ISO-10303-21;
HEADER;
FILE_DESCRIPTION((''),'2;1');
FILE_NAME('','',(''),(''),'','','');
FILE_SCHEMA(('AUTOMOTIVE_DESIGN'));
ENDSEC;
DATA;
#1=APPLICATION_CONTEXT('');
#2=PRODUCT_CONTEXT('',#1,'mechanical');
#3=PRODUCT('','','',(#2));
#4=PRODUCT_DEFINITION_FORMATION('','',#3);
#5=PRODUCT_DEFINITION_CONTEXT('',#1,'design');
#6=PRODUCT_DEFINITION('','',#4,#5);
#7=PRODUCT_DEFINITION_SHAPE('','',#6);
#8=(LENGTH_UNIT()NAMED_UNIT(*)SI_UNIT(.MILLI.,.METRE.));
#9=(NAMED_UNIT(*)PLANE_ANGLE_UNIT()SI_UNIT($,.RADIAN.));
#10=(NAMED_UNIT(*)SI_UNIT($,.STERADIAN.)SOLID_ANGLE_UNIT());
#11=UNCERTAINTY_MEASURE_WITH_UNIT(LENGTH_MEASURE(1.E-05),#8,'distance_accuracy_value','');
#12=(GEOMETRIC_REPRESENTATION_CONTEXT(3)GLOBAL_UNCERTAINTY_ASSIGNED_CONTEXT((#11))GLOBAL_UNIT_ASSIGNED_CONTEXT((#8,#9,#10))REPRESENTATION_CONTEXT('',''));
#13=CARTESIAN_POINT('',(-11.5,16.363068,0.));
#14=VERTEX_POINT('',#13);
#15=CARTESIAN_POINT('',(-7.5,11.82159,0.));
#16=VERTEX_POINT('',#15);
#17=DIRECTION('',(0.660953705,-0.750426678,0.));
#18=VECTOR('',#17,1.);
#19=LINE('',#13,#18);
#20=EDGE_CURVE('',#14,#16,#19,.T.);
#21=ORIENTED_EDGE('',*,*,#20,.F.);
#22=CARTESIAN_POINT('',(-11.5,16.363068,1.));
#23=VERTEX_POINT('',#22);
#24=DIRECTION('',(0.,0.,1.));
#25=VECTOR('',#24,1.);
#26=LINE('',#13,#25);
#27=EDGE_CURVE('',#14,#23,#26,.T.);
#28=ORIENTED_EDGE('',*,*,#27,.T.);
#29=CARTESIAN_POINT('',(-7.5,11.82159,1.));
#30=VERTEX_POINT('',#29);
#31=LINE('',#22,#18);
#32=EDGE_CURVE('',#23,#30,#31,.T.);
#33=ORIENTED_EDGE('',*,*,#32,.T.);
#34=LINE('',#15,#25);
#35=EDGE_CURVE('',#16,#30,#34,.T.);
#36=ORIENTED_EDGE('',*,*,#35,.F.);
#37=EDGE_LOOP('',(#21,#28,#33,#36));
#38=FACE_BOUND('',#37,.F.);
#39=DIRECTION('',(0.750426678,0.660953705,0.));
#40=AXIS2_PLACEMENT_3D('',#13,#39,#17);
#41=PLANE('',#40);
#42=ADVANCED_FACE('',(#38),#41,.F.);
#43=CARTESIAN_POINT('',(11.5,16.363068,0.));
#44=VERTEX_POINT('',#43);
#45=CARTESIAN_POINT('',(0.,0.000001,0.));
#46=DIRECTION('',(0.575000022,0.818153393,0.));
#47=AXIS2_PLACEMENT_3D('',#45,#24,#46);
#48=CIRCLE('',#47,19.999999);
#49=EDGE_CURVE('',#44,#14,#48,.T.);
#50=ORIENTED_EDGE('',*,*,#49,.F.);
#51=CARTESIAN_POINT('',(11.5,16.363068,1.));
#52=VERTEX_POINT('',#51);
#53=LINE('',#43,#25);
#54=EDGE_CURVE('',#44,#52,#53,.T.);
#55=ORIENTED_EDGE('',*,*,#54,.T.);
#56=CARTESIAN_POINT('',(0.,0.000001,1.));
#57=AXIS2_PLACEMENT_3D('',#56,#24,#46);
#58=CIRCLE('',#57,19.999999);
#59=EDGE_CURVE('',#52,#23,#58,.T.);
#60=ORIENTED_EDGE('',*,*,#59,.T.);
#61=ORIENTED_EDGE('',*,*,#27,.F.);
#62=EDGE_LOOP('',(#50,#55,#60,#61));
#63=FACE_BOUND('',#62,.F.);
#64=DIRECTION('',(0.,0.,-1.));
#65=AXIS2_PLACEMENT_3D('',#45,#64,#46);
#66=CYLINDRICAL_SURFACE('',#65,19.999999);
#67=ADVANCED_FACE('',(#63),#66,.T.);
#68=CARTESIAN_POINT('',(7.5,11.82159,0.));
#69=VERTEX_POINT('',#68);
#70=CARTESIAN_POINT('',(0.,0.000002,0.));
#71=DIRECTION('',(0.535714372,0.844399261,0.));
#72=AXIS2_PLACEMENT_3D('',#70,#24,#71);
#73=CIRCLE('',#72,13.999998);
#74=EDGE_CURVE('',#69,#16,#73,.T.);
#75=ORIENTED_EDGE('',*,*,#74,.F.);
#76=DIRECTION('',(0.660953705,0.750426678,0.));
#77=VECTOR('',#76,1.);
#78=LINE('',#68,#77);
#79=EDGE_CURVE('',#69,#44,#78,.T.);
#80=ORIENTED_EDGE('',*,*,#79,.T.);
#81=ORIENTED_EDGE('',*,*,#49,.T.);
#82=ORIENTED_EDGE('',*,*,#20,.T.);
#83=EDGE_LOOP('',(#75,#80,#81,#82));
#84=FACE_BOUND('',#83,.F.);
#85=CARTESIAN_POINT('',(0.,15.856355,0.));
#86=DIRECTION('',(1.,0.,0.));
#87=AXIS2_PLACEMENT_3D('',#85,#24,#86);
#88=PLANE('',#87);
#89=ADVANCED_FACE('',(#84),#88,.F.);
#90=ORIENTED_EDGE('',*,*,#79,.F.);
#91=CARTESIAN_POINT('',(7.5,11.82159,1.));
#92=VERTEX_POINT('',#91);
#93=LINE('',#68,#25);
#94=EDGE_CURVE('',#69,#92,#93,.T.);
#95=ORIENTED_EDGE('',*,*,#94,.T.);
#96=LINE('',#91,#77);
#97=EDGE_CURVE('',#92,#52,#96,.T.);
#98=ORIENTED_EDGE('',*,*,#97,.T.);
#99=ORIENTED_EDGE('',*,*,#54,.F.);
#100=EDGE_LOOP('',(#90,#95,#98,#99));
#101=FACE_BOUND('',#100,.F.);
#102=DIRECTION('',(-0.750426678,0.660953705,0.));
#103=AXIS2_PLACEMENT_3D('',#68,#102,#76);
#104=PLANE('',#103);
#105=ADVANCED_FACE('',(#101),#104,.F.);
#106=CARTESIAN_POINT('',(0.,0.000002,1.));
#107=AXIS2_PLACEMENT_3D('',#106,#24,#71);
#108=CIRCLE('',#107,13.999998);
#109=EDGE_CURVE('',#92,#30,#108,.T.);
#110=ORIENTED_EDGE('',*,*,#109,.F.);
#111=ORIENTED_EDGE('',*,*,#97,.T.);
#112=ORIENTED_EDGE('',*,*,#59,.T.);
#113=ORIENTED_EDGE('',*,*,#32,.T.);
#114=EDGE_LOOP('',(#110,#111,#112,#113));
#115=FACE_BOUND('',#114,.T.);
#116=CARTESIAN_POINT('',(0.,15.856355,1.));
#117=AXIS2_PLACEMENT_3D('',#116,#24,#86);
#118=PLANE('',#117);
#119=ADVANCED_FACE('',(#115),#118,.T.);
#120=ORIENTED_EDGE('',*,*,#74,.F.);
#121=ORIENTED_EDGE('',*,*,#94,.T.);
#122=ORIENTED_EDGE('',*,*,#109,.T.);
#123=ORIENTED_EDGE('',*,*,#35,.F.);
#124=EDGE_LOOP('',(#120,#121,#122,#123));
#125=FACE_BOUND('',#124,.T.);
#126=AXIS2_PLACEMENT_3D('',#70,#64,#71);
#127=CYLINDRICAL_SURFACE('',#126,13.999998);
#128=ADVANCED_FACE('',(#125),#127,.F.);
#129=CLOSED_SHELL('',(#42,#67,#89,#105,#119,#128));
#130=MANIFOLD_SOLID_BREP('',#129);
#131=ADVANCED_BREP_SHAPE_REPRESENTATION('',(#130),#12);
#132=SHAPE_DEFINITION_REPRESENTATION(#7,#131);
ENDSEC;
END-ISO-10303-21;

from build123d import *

# Parameters (mm, degrees)
PAD_DEPTH = 1


with BuildPart() as part:
    # Sketch → Pad (new body)
    with BuildSketch(Plane.XY):
        with BuildLine():
            ThreePointArc((11.5, 16.363068), (0, 20), (-11.5, 16.363068))
            Line((-11.5, 16.363068), (-7.5, 11.82159))
            ThreePointArc((7.5, 11.82159), (0, 14), (-7.5, 11.82159))
            Line((7.5, 11.82159), (11.5, 16.363068))
        make_face()
    extrude(amount=PAD_DEPTH)


solid = part.part
